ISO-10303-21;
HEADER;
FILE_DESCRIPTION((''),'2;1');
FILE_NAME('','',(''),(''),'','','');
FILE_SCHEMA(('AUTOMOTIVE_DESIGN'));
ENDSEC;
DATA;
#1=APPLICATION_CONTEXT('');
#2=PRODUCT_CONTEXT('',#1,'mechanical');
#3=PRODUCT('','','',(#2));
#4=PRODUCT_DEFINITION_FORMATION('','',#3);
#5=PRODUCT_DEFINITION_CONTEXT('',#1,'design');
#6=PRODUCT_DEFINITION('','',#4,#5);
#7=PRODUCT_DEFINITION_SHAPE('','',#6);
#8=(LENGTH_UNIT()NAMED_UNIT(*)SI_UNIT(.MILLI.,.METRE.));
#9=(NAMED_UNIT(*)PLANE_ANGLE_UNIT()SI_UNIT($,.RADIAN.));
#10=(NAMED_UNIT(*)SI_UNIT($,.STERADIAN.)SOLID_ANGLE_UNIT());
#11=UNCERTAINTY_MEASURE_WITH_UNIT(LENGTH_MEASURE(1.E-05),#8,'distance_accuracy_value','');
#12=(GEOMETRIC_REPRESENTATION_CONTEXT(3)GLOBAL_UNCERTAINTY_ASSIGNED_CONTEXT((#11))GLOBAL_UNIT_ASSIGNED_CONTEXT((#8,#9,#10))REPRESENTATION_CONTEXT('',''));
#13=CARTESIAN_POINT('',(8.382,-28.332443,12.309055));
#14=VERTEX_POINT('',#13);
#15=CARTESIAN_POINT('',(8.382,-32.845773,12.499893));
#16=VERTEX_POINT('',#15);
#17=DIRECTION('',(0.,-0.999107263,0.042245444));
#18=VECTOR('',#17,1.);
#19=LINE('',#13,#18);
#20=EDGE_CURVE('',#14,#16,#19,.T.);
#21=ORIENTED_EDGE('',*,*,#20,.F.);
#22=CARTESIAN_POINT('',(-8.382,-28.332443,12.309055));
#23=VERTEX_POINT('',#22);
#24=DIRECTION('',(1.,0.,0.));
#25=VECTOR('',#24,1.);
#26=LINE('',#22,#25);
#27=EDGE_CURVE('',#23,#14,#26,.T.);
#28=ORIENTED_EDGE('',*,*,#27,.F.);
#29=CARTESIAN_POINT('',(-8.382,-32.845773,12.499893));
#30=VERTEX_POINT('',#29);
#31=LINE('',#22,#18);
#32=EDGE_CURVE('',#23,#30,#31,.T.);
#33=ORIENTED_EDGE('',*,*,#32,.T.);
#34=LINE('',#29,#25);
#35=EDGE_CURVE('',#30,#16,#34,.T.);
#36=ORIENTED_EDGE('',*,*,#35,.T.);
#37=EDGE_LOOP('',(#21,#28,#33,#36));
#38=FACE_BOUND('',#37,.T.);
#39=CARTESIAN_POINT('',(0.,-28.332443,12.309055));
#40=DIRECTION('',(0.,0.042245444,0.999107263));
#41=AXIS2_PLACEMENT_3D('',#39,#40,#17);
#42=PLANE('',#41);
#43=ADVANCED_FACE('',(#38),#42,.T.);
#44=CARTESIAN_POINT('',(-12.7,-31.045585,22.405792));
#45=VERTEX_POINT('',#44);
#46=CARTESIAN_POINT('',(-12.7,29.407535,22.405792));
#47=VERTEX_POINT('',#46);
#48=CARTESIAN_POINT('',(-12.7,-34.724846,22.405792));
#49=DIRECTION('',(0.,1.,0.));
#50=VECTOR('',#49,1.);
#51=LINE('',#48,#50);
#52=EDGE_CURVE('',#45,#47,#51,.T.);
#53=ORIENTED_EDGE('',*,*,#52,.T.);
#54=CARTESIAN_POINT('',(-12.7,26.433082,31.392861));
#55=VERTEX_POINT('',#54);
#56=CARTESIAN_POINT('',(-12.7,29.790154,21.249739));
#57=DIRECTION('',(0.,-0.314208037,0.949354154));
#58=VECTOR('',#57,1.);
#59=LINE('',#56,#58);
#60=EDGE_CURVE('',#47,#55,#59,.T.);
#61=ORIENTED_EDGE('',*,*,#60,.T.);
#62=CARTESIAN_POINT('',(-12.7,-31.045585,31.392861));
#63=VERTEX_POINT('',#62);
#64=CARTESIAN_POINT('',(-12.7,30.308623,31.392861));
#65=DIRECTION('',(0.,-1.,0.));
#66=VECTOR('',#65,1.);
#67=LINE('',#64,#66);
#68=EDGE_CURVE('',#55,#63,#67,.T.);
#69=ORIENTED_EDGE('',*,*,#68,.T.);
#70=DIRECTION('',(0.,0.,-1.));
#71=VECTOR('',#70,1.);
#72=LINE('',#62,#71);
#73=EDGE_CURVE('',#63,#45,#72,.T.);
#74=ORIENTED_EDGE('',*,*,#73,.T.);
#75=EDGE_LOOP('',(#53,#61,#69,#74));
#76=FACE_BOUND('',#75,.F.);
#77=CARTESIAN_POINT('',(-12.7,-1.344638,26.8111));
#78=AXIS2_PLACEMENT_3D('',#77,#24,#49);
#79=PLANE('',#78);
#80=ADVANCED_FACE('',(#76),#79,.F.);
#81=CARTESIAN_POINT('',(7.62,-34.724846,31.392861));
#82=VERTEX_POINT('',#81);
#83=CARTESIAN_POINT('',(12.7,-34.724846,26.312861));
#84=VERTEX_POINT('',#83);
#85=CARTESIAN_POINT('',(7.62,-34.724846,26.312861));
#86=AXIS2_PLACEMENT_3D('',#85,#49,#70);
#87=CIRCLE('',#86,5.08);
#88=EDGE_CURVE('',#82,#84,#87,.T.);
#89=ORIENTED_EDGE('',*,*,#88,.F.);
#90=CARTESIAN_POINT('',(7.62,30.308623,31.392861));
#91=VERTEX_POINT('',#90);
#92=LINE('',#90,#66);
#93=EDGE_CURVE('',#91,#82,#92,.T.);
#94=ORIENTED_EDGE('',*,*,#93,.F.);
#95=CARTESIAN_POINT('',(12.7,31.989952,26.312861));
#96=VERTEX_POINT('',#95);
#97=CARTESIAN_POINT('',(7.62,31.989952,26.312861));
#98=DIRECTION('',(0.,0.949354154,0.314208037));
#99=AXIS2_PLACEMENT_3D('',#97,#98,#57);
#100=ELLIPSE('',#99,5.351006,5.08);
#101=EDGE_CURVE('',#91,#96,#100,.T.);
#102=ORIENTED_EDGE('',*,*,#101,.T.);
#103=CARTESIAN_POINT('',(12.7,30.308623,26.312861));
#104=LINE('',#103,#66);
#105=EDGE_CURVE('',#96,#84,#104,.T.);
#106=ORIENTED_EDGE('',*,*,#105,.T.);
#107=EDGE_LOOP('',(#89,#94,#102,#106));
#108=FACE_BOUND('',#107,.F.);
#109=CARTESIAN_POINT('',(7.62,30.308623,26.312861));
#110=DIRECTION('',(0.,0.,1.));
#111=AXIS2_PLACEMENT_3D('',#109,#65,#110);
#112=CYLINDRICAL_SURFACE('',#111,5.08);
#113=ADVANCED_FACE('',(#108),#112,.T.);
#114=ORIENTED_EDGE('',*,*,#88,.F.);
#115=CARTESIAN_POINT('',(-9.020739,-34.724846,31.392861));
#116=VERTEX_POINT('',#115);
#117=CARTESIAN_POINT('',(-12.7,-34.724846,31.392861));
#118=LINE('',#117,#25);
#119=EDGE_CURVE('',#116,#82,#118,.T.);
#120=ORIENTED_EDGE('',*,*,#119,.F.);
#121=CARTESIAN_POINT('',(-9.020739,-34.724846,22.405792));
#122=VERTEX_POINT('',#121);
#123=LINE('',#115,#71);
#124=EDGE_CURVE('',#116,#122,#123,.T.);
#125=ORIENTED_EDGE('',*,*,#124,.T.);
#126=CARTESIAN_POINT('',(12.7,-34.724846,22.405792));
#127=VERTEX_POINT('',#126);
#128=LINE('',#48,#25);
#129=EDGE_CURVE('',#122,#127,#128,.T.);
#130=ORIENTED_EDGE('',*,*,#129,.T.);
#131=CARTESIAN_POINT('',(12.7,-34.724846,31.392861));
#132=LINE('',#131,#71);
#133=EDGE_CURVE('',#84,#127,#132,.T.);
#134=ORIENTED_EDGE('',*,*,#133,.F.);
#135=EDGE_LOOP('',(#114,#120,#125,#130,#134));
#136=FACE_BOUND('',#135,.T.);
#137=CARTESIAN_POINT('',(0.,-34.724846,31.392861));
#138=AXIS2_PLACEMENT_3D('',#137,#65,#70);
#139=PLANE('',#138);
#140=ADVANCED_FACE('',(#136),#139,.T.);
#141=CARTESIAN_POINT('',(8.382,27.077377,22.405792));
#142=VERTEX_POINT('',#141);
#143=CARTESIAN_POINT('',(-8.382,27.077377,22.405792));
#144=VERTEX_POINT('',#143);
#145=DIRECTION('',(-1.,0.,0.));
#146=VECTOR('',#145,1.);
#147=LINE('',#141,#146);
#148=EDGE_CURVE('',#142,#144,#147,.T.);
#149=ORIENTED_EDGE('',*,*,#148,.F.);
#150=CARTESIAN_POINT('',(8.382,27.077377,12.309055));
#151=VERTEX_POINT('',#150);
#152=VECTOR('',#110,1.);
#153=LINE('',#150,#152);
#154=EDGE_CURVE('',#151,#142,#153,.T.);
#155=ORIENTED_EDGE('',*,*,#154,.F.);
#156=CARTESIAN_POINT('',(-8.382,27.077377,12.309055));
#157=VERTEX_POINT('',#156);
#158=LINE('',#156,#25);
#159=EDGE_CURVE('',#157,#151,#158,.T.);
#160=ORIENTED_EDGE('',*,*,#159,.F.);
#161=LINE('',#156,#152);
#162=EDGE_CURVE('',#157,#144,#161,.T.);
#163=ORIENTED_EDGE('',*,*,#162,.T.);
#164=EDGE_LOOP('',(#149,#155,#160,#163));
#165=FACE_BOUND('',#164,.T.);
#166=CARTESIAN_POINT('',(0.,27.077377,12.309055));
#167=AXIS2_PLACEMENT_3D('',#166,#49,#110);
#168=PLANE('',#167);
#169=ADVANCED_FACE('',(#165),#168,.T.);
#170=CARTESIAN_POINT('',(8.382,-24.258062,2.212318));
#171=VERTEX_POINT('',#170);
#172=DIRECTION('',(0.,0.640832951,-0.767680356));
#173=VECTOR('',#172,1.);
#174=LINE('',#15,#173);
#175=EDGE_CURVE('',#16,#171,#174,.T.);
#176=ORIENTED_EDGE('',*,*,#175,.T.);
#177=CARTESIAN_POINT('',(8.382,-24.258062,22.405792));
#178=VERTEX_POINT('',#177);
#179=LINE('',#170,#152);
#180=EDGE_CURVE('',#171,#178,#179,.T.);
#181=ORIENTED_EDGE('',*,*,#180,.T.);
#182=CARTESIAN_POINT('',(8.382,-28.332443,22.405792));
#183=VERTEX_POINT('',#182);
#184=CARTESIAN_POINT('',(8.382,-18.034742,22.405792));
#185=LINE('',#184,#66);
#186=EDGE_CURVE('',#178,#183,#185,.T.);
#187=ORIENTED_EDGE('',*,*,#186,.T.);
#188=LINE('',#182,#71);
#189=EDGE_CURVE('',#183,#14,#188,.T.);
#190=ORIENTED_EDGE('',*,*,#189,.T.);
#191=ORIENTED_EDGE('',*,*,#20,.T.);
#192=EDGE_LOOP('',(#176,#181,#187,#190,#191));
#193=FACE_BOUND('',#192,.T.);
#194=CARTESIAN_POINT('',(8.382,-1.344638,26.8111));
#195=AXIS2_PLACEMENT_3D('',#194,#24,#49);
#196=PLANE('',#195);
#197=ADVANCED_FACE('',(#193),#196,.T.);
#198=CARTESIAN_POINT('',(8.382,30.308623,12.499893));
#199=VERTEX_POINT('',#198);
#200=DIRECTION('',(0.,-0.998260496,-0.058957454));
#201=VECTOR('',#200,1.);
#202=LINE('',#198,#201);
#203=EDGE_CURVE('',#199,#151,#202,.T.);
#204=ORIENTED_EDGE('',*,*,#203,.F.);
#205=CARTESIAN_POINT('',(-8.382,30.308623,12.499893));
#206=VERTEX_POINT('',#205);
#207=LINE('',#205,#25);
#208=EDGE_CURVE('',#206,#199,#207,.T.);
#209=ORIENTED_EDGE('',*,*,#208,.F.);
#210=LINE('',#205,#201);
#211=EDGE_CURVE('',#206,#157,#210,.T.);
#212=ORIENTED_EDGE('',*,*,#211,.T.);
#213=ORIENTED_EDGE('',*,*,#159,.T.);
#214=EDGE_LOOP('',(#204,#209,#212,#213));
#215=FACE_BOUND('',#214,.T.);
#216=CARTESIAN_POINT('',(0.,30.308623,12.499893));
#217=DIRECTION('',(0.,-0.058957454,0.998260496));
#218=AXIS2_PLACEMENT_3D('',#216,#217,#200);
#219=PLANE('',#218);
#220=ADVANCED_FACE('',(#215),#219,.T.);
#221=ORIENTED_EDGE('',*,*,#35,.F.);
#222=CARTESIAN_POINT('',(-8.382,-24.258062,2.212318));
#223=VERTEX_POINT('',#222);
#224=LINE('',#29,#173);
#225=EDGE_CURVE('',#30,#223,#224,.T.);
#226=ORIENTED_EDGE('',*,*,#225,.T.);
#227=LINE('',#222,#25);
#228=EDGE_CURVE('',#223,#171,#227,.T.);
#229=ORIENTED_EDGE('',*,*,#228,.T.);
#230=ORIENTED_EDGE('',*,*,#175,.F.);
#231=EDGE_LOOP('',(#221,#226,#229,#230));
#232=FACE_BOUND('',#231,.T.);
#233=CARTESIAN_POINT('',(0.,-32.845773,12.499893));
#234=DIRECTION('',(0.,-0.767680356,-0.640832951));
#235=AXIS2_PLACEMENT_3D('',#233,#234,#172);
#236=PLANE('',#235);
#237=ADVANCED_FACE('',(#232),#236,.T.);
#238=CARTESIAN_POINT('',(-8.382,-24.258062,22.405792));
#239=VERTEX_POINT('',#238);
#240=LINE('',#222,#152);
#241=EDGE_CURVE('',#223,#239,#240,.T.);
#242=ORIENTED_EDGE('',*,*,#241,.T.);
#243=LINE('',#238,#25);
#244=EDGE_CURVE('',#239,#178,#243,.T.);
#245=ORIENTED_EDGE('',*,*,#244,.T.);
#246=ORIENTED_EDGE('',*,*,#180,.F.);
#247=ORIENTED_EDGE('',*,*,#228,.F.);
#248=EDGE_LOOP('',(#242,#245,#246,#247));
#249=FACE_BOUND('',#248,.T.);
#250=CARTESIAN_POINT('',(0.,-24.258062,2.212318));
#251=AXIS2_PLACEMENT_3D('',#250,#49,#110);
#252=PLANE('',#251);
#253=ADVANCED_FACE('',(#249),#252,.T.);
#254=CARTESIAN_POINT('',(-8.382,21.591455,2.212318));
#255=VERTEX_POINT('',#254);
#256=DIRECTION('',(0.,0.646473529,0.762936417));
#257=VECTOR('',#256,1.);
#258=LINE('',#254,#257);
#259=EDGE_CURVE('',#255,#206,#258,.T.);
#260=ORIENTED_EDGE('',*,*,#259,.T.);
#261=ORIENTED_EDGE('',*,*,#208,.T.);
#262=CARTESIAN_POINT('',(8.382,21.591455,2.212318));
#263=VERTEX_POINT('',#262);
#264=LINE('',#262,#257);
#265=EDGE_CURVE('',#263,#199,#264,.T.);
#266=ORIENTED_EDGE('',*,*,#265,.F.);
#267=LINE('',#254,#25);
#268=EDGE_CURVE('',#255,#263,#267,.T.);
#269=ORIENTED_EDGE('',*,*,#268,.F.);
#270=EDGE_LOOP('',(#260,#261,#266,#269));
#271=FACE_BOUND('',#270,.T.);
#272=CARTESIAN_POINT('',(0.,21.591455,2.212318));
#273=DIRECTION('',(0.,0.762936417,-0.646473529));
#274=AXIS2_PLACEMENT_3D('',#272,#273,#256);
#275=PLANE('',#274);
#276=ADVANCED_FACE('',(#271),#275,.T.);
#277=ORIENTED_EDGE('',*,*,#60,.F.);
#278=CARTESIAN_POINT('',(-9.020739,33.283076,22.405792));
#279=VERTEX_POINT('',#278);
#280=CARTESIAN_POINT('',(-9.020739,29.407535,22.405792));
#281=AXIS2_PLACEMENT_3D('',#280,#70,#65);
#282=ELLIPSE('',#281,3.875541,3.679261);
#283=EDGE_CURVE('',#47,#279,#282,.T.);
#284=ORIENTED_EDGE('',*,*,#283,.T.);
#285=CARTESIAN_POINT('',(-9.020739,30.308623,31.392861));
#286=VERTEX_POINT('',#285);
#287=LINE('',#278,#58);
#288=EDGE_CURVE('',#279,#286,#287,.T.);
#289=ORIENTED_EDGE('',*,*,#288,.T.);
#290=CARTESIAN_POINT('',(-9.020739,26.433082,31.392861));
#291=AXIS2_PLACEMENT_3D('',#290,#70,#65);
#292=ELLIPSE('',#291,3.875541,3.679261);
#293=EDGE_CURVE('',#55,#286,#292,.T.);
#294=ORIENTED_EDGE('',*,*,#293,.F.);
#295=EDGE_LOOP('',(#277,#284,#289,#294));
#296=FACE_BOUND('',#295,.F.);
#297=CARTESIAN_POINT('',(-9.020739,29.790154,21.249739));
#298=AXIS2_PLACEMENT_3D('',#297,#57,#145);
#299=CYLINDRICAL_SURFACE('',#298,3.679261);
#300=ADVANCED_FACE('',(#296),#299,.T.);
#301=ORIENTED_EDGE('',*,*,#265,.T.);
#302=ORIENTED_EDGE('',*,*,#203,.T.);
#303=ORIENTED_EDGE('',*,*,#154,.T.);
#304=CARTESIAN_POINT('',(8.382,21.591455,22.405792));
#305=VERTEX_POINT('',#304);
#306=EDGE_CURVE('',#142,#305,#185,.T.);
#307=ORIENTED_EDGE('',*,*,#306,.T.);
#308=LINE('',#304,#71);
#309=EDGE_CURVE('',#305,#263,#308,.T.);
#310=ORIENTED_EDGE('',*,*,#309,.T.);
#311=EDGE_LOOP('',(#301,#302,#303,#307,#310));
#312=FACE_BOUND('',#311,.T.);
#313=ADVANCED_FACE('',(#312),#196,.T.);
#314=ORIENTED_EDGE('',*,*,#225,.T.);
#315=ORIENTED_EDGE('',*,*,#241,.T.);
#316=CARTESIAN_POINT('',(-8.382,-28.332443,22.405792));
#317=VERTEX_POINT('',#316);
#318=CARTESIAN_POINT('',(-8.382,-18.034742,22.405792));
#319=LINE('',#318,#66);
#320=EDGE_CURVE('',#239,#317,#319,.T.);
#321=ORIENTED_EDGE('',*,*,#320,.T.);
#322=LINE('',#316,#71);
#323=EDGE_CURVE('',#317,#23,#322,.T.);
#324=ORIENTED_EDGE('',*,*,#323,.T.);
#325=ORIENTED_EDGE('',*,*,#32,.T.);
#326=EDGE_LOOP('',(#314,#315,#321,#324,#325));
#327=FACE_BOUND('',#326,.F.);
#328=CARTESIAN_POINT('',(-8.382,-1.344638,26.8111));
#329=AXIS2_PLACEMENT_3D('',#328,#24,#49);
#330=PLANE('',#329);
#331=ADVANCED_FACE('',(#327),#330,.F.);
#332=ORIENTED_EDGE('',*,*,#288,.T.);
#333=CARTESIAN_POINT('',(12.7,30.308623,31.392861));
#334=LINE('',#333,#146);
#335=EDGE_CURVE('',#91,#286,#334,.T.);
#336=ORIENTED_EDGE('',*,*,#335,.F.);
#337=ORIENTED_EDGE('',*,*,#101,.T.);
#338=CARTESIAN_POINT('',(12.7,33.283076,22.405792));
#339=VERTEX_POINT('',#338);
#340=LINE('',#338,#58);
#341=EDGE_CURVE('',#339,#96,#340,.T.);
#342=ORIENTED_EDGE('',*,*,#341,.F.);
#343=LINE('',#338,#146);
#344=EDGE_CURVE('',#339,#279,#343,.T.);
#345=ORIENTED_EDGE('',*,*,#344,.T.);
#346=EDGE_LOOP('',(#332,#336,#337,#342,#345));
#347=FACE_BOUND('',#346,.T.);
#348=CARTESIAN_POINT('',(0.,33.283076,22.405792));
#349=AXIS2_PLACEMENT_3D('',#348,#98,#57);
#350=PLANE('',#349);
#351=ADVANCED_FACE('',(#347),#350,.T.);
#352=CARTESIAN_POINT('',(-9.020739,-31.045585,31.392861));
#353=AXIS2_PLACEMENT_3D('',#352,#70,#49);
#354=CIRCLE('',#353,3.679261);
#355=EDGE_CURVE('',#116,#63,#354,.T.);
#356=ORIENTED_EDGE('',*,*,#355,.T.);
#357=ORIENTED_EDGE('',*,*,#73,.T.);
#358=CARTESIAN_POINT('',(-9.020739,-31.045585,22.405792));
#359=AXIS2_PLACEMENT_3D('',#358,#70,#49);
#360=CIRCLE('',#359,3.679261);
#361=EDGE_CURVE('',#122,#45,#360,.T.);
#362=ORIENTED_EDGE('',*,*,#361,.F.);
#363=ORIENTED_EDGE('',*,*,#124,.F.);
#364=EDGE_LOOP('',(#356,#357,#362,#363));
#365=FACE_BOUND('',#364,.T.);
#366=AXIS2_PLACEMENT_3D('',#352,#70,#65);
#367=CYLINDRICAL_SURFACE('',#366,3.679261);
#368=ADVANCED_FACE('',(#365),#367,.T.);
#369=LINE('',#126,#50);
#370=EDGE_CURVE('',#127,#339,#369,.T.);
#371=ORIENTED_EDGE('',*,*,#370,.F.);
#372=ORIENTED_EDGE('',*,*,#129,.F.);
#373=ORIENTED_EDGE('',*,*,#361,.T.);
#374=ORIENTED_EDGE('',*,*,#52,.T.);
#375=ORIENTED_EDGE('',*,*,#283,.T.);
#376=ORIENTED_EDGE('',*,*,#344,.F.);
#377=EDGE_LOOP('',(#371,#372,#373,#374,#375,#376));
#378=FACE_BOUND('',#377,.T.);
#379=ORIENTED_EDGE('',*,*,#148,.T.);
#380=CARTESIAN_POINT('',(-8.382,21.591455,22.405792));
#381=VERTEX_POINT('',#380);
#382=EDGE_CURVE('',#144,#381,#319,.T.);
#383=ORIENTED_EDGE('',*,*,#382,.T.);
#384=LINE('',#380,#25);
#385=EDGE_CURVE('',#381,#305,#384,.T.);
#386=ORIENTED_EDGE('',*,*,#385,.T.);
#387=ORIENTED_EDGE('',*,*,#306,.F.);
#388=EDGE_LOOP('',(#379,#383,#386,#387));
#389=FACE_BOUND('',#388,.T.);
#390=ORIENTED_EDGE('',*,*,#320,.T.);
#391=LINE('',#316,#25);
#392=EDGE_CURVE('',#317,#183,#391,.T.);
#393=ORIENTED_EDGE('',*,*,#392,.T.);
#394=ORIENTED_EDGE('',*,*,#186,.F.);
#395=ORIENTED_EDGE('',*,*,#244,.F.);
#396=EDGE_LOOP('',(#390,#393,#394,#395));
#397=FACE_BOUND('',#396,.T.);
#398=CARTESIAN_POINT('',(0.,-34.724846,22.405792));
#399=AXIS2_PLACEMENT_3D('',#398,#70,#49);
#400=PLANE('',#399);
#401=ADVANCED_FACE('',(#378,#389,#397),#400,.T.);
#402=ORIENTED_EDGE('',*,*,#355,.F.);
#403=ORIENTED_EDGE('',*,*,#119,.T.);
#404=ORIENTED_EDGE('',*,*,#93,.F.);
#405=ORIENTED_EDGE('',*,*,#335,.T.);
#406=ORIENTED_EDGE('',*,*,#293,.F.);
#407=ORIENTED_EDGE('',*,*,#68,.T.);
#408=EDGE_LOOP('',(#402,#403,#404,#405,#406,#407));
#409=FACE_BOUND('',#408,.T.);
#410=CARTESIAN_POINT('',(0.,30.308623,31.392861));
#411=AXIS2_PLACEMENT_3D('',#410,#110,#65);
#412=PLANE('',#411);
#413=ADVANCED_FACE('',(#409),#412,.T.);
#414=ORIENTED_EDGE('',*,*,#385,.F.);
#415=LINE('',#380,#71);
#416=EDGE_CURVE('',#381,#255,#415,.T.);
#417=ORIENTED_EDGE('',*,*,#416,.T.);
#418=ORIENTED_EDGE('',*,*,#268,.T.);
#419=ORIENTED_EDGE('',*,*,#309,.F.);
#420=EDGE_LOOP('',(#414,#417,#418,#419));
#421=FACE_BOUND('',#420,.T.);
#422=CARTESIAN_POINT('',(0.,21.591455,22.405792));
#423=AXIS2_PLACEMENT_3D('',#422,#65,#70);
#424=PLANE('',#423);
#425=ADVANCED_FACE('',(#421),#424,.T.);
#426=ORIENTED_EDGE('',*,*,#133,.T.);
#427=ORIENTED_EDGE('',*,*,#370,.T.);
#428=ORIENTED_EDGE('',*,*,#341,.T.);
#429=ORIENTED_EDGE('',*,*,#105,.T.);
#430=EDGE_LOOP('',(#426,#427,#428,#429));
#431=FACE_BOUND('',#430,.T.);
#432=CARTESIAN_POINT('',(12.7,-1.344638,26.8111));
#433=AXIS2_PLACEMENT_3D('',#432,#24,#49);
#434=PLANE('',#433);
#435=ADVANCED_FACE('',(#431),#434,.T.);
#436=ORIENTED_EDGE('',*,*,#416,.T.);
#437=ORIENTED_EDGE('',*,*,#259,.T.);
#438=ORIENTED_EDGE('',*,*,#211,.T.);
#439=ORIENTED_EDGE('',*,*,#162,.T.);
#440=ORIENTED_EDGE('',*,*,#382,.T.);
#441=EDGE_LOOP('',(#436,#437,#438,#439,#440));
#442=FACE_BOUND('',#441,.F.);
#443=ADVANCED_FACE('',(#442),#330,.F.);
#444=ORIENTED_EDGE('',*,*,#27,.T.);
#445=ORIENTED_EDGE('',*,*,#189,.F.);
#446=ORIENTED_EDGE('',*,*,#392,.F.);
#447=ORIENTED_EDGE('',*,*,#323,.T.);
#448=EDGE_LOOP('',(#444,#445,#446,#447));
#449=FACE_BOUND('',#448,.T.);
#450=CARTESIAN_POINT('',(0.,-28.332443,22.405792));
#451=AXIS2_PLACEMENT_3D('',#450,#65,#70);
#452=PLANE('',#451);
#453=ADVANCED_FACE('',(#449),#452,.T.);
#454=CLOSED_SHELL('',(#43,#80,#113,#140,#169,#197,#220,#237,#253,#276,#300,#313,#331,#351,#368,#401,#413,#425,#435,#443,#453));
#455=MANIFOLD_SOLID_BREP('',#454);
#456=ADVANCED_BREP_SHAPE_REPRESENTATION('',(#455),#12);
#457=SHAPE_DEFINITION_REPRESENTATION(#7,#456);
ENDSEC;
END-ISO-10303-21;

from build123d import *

# Parameters (mm, degrees)
F1_DEPTH = 12.7
F2_DEPTH = 8.382
F3_R     = 3.679261
F4_R     = 5.08


with BuildPart() as f1:
    # F0 (on Right) → F1 (new body, symmetric)
    with BuildSketch(Plane.YZ):
        Polygon((30.308623, 31.392861), (-34.372479, 31.392861), (-34.724846, 31.392861), (-34.724846, 22.405792), (-28.332443, 22.405792), (-24.258062, 22.405792), (-20.550046, 22.405792), (-9.070974, 22.405792), (1.610943, 22.405792), (21.591455, 22.405792), (27.077377, 22.405792), (33.283076, 22.405792), align=None)
    extrude(amount=F1_DEPTH, both=True)

    # F0 (on Right) → F2 (join, symmetric)
    with BuildSketch(Plane.YZ):
        Polygon((30.308623, 31.392861), (-34.372479, 31.392861), (-34.724846, 31.392861), (-34.724846, 22.405792), (-28.332443, 22.405792), (-24.258062, 22.405792), (-20.550046, 22.405792), (-9.070974, 22.405792), (1.610943, 22.405792), (21.591455, 22.405792), (27.077377, 22.405792), (33.283076, 22.405792), align=None)
        Polygon((27.077377, 12.309055), (27.077377, 22.405792), (21.591455, 22.405792), (21.591455, 2.212318), (30.308623, 12.499893), align=None)
        Polygon((-24.258062, 22.405792), (-28.332443, 22.405792), (-28.332443, 12.309055), (-32.845773, 12.499893), (-24.258062, 2.212318), align=None)
    extrude(amount=F2_DEPTH, both=True)

    # F3
    f3_edges = [f1.edges().sort_by_distance(p)[0] for p in [
        (-12.7, -34.724846, 26.899327),
        (-12.7, 31.795849, 26.899327),
    ]]
    fillet(f3_edges, radius=F3_R)

    # F4
    f4_edges = [f1.edges().sort_by_distance(p)[0] for p in [
        (12.7, -2.208112, 31.392861),
    ]]
    fillet(f4_edges, radius=F4_R)


solid = f1.part
